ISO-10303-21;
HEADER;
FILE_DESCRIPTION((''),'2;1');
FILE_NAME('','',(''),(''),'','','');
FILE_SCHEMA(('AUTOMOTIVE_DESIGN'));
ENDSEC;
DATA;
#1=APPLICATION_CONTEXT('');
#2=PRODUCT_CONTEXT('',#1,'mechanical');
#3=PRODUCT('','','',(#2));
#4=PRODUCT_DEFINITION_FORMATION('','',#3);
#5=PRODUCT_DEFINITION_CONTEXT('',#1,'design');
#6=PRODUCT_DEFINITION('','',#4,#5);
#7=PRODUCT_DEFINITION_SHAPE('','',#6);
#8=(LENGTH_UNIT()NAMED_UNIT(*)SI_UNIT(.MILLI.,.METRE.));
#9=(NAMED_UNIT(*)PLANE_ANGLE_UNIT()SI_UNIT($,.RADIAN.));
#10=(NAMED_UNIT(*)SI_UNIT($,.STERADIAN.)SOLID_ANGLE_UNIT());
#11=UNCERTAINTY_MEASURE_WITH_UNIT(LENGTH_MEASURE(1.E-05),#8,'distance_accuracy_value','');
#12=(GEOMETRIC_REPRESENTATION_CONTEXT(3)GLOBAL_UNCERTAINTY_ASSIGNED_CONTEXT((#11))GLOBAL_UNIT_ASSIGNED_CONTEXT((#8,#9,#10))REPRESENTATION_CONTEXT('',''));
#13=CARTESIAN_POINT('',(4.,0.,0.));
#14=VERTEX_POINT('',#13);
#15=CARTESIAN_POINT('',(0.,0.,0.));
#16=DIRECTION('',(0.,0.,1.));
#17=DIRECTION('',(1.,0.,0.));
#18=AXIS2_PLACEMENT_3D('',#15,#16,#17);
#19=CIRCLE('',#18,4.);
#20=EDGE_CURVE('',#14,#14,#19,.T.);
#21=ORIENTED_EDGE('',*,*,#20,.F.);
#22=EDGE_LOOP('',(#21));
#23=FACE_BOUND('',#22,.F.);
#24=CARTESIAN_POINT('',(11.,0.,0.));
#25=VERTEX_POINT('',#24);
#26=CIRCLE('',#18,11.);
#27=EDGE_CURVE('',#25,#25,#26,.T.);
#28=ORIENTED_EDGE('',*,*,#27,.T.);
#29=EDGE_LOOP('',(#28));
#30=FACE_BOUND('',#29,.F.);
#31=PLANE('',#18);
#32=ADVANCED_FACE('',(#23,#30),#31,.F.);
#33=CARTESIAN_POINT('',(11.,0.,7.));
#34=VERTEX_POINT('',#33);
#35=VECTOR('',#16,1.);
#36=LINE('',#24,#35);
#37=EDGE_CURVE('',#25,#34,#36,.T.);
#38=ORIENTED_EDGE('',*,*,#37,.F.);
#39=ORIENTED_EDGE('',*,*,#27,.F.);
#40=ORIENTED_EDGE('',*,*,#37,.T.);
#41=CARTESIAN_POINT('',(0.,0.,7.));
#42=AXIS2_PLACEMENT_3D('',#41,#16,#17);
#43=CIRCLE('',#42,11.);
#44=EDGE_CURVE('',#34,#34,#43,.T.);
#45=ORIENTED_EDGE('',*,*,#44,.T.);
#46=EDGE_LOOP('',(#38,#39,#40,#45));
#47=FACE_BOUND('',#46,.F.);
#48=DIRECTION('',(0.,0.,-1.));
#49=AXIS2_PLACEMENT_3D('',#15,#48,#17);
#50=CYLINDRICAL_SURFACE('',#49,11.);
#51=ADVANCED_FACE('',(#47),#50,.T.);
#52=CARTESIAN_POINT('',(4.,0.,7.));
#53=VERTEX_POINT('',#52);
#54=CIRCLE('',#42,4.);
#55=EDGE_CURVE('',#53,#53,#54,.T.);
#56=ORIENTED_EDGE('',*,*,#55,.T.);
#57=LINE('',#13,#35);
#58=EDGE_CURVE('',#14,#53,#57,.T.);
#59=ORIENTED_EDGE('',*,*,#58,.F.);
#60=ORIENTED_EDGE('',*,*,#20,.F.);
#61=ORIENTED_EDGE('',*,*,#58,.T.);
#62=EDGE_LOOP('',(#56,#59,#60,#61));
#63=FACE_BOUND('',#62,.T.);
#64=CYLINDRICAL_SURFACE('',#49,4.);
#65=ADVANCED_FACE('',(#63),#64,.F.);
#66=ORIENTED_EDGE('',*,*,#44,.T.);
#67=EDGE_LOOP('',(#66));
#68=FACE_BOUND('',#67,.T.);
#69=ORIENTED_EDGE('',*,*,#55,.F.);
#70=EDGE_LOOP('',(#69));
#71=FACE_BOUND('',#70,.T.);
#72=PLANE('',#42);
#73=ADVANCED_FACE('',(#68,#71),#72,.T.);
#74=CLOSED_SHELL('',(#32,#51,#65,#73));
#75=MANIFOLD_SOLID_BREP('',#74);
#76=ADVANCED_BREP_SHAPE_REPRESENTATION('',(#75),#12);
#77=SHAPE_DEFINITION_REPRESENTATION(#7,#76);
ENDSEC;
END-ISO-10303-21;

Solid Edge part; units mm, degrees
sketch "Sketch1" plane through (0, 0, 0) normal (0, 0, 1) x (1, 0, 0)
  circle A0 centre (0, 0) radius 11
  circle A1 centre (0, 0) radius 4
  dimension "D1" = 22
  dimension "D2" = 8
extrude "Protrusion1" add sketch "Sketch1" along normal blind 7
